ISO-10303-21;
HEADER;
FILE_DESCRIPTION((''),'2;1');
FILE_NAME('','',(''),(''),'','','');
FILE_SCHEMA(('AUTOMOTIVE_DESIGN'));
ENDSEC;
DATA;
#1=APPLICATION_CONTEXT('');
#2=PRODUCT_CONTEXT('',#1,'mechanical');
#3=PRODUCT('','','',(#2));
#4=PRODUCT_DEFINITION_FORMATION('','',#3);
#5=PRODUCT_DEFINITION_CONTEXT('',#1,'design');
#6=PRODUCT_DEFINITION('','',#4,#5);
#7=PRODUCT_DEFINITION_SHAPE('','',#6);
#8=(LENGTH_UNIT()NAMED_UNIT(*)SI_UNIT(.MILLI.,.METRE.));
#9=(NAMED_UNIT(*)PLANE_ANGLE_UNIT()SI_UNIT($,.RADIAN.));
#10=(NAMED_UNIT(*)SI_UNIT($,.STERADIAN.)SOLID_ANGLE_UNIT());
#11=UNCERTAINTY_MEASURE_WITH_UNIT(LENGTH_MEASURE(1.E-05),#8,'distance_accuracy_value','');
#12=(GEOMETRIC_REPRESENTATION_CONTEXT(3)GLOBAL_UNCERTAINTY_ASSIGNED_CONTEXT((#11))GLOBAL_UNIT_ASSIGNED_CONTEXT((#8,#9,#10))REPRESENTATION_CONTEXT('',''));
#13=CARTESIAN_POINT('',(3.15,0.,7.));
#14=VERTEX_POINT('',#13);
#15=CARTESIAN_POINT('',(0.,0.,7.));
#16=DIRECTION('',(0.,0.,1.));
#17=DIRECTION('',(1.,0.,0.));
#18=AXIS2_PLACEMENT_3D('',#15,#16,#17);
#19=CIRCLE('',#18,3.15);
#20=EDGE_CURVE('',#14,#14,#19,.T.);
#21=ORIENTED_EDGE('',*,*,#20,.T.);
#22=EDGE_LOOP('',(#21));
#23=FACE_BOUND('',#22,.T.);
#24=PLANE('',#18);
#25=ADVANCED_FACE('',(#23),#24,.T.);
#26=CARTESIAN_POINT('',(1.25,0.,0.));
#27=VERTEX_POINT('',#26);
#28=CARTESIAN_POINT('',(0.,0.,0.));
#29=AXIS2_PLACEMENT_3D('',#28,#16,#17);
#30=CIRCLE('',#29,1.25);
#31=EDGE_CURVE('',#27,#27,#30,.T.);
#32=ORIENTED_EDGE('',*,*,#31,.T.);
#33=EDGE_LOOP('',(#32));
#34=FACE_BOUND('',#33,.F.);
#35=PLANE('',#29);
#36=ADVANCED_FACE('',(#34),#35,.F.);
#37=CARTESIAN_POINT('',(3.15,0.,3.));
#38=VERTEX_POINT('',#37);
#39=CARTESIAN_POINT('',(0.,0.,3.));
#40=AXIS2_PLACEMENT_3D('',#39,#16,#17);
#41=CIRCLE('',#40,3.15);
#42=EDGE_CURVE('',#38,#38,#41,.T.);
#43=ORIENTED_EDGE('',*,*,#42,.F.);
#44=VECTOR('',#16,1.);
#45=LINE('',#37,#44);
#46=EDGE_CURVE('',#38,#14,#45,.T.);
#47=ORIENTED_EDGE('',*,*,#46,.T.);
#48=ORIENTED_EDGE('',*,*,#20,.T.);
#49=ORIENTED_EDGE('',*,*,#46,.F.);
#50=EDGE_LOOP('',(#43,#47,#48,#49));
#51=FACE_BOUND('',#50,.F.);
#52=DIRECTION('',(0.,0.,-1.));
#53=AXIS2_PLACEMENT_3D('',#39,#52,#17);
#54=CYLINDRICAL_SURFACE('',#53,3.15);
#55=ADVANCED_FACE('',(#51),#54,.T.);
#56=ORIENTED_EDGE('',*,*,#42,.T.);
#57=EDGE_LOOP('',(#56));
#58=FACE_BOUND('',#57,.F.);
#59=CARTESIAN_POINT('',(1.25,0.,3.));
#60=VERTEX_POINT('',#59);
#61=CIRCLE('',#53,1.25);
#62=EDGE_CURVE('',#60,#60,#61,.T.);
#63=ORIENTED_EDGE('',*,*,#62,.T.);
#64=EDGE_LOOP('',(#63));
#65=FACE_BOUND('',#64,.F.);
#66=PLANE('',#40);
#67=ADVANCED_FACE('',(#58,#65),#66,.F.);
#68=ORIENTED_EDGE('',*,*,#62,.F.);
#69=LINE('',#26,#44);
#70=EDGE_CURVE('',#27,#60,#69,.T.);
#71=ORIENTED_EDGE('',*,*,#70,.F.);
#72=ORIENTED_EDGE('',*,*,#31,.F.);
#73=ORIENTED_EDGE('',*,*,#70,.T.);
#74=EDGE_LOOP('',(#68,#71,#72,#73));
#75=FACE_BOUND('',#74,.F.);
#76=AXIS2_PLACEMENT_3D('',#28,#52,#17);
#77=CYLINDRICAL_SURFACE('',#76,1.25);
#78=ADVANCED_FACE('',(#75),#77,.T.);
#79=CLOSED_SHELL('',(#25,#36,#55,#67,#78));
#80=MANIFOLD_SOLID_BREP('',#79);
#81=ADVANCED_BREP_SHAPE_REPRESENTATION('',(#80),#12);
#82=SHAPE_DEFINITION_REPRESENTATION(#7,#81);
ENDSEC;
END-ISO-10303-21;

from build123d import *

# Parameters (mm, degrees)
CYLINDER005_R     = 1.25
CYLINDER005_DEPTH = 4
CYLINDER_R        = 3.15
CYLINDER_DEPTH    = 4


with BuildPart() as cylinder005:
    # Cylinder005 → Cylinder005 (new body)
    with BuildSketch(Plane.XY):
        Circle(CYLINDER005_R)
    extrude(amount=CYLINDER005_DEPTH)


with BuildPart() as fusion001:
    # Cylinder → Cylinder (new body)
    with BuildSketch(Plane.XY.offset(3)):
        Circle(CYLINDER_R)
    extrude(amount=CYLINDER_DEPTH)

    # Fusion001: union Cylinder005
    add(cylinder005.part)


solid = fusion001.part
